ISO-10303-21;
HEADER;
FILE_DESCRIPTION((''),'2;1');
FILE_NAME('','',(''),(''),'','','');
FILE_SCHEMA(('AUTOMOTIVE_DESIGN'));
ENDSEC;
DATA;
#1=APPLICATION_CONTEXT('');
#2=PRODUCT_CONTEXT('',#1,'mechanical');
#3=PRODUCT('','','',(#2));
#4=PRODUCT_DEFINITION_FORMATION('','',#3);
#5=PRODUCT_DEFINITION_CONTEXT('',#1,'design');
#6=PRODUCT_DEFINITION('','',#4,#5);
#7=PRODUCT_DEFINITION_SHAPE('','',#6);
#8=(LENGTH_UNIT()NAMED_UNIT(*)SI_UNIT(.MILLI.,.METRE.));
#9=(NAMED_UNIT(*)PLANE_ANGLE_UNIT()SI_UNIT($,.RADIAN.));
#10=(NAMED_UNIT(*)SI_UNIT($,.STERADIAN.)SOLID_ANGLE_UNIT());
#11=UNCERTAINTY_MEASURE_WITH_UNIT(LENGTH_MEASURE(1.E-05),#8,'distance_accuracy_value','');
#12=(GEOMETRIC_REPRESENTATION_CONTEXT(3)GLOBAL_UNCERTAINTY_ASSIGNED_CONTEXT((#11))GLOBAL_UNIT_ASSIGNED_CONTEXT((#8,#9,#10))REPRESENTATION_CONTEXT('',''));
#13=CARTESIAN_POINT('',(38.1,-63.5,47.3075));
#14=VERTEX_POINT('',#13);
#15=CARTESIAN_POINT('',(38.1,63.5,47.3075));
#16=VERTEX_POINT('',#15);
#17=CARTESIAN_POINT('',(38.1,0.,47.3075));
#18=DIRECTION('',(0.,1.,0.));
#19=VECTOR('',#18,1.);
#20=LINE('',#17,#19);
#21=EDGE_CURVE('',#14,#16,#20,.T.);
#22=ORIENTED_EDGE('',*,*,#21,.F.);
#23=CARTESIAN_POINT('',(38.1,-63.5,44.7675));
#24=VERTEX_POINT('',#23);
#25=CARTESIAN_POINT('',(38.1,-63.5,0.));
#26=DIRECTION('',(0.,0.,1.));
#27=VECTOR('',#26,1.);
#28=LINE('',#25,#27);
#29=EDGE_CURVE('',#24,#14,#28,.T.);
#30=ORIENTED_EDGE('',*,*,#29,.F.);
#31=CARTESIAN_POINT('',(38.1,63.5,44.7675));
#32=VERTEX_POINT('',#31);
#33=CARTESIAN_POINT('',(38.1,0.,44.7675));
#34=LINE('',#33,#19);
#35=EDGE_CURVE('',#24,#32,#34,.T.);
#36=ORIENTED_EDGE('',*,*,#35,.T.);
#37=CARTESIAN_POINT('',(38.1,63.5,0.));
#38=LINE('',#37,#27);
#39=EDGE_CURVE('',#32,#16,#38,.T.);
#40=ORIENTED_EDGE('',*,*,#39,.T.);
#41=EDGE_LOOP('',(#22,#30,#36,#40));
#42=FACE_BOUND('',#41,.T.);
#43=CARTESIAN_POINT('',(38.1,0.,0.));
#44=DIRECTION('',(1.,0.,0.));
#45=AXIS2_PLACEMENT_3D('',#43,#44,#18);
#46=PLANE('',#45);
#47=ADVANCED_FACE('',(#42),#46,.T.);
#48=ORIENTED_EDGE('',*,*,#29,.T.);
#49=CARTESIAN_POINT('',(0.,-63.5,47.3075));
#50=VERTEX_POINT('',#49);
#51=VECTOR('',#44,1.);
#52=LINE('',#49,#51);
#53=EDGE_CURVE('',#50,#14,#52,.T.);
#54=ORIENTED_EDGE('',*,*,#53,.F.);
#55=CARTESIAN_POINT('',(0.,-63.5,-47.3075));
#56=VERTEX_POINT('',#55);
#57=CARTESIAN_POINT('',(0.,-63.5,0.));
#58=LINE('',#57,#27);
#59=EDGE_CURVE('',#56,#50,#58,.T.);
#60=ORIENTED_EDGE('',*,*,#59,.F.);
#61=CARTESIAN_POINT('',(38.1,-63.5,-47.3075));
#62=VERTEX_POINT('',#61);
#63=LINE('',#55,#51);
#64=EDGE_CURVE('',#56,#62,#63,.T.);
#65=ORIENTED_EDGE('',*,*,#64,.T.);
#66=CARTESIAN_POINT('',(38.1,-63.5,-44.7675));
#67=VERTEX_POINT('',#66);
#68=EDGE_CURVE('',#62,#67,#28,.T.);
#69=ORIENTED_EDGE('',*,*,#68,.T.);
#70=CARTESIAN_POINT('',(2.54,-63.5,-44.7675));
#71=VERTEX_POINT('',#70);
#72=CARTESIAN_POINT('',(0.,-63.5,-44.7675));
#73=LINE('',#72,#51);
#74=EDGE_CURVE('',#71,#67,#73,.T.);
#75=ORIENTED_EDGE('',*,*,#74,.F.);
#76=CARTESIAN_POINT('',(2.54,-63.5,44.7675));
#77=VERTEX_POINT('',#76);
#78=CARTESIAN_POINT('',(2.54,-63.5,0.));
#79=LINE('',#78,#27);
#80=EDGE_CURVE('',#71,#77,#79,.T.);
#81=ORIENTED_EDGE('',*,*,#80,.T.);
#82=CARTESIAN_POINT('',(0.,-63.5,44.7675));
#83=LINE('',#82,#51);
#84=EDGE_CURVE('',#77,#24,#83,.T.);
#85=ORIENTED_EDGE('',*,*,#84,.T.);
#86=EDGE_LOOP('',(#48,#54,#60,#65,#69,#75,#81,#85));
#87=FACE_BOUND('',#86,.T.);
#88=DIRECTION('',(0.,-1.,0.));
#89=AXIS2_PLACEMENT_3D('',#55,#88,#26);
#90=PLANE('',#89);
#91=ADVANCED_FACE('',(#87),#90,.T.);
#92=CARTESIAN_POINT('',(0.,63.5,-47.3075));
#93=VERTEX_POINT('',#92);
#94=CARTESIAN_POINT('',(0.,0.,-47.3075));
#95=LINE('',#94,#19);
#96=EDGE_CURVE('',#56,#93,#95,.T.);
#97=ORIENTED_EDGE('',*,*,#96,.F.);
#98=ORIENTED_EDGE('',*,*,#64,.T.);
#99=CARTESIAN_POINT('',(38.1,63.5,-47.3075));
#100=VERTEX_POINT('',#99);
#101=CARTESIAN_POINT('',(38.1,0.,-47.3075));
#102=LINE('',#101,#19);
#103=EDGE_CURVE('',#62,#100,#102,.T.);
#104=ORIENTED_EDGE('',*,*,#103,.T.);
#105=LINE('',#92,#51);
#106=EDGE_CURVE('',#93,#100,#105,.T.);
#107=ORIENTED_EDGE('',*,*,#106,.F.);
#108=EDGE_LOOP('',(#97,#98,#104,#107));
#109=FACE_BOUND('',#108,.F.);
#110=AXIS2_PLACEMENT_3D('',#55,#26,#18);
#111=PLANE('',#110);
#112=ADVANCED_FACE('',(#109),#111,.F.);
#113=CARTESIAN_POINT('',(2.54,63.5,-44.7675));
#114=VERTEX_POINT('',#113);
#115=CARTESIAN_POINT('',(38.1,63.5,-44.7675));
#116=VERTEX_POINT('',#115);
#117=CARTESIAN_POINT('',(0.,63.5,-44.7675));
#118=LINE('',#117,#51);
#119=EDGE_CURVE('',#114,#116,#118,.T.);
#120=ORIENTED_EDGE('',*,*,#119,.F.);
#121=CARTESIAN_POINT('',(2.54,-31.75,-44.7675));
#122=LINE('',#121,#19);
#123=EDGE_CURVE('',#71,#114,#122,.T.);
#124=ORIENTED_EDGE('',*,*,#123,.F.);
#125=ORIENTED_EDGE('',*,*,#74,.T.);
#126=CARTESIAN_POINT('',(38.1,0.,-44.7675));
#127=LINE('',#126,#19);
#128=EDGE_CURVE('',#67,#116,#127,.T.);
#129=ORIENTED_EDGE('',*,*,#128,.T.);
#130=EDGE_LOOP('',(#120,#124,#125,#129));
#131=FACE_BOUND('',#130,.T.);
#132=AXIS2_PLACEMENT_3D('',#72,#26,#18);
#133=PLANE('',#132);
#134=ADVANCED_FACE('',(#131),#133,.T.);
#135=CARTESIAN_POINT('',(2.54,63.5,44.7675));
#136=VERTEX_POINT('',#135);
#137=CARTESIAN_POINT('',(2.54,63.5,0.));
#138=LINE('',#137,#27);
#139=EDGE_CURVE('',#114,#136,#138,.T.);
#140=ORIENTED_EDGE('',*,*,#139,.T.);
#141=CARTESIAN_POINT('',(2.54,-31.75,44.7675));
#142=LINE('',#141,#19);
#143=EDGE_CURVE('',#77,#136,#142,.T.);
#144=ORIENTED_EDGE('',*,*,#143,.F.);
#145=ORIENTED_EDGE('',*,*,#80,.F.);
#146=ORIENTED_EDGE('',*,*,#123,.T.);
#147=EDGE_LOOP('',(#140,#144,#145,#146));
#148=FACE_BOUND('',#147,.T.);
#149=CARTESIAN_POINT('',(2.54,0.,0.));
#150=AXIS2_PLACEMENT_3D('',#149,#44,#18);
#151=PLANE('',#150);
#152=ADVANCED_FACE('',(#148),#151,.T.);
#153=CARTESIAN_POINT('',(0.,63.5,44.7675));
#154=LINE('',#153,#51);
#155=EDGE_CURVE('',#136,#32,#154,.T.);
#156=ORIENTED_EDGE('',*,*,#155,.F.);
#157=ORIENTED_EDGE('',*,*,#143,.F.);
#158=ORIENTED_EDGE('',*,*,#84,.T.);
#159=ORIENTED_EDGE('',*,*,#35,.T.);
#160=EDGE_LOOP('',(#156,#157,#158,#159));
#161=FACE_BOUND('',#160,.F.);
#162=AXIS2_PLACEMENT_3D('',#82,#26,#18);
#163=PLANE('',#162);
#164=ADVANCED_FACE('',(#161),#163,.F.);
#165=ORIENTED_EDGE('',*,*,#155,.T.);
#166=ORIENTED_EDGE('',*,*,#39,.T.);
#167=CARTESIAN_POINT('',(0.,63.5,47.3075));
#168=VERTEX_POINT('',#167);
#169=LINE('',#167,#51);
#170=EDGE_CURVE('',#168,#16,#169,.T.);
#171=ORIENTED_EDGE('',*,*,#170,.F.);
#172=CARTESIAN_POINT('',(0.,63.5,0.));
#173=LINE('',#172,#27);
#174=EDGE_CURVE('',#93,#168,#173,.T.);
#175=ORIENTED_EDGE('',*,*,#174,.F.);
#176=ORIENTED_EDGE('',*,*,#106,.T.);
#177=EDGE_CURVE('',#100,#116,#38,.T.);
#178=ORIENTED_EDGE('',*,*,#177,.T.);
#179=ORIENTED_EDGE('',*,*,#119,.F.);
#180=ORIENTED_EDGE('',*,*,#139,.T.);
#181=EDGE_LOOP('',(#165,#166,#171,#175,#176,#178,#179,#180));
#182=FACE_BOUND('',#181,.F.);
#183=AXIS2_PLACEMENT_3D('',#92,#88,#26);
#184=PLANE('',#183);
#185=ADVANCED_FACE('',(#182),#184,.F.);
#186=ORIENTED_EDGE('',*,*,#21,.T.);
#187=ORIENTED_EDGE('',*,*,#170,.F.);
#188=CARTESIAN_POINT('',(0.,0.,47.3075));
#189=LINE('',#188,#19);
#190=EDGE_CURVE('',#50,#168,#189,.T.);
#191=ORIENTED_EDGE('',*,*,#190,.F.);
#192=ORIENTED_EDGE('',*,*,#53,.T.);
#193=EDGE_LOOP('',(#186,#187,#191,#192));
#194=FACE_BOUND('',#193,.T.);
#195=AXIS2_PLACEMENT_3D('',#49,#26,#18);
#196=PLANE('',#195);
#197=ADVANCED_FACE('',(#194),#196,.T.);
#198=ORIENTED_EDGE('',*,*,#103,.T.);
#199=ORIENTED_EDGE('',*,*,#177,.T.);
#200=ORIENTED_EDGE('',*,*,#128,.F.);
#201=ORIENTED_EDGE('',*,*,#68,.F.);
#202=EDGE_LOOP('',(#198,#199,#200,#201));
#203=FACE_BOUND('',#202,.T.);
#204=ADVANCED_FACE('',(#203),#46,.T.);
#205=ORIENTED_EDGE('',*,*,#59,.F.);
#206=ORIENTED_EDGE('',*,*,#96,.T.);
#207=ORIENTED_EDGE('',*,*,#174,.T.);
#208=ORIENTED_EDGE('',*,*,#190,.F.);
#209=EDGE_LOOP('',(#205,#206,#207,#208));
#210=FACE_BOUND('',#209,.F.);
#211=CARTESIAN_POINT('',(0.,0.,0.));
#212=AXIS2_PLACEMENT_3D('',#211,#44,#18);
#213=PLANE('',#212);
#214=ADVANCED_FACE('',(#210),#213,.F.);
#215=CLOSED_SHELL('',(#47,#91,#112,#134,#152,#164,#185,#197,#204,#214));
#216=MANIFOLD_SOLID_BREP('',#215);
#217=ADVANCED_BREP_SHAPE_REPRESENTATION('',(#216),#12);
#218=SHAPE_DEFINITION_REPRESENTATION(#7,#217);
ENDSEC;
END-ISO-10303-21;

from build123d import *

# Parameters (mm, degrees)
F0_W     = 127
F0_H     = 94.615
F1_DEPTH = 38.1
F2_T     = -2.54


with BuildPart() as f1:
    # F0 (on Right) → F1 (new body)
    with BuildSketch(Plane.YZ):
        Rectangle(F0_W, F0_H)
    extrude(amount=F1_DEPTH)

    # F2
    f2_openings = [f1.faces().sort_by_distance(p)[0] for p in [
        (38.1, 0, 0),
        (19.05, -63.5, 0),
        (19.05, 63.5, 0),
    ]]
    offset(amount=F2_T, openings=f2_openings)


solid = f1.part
